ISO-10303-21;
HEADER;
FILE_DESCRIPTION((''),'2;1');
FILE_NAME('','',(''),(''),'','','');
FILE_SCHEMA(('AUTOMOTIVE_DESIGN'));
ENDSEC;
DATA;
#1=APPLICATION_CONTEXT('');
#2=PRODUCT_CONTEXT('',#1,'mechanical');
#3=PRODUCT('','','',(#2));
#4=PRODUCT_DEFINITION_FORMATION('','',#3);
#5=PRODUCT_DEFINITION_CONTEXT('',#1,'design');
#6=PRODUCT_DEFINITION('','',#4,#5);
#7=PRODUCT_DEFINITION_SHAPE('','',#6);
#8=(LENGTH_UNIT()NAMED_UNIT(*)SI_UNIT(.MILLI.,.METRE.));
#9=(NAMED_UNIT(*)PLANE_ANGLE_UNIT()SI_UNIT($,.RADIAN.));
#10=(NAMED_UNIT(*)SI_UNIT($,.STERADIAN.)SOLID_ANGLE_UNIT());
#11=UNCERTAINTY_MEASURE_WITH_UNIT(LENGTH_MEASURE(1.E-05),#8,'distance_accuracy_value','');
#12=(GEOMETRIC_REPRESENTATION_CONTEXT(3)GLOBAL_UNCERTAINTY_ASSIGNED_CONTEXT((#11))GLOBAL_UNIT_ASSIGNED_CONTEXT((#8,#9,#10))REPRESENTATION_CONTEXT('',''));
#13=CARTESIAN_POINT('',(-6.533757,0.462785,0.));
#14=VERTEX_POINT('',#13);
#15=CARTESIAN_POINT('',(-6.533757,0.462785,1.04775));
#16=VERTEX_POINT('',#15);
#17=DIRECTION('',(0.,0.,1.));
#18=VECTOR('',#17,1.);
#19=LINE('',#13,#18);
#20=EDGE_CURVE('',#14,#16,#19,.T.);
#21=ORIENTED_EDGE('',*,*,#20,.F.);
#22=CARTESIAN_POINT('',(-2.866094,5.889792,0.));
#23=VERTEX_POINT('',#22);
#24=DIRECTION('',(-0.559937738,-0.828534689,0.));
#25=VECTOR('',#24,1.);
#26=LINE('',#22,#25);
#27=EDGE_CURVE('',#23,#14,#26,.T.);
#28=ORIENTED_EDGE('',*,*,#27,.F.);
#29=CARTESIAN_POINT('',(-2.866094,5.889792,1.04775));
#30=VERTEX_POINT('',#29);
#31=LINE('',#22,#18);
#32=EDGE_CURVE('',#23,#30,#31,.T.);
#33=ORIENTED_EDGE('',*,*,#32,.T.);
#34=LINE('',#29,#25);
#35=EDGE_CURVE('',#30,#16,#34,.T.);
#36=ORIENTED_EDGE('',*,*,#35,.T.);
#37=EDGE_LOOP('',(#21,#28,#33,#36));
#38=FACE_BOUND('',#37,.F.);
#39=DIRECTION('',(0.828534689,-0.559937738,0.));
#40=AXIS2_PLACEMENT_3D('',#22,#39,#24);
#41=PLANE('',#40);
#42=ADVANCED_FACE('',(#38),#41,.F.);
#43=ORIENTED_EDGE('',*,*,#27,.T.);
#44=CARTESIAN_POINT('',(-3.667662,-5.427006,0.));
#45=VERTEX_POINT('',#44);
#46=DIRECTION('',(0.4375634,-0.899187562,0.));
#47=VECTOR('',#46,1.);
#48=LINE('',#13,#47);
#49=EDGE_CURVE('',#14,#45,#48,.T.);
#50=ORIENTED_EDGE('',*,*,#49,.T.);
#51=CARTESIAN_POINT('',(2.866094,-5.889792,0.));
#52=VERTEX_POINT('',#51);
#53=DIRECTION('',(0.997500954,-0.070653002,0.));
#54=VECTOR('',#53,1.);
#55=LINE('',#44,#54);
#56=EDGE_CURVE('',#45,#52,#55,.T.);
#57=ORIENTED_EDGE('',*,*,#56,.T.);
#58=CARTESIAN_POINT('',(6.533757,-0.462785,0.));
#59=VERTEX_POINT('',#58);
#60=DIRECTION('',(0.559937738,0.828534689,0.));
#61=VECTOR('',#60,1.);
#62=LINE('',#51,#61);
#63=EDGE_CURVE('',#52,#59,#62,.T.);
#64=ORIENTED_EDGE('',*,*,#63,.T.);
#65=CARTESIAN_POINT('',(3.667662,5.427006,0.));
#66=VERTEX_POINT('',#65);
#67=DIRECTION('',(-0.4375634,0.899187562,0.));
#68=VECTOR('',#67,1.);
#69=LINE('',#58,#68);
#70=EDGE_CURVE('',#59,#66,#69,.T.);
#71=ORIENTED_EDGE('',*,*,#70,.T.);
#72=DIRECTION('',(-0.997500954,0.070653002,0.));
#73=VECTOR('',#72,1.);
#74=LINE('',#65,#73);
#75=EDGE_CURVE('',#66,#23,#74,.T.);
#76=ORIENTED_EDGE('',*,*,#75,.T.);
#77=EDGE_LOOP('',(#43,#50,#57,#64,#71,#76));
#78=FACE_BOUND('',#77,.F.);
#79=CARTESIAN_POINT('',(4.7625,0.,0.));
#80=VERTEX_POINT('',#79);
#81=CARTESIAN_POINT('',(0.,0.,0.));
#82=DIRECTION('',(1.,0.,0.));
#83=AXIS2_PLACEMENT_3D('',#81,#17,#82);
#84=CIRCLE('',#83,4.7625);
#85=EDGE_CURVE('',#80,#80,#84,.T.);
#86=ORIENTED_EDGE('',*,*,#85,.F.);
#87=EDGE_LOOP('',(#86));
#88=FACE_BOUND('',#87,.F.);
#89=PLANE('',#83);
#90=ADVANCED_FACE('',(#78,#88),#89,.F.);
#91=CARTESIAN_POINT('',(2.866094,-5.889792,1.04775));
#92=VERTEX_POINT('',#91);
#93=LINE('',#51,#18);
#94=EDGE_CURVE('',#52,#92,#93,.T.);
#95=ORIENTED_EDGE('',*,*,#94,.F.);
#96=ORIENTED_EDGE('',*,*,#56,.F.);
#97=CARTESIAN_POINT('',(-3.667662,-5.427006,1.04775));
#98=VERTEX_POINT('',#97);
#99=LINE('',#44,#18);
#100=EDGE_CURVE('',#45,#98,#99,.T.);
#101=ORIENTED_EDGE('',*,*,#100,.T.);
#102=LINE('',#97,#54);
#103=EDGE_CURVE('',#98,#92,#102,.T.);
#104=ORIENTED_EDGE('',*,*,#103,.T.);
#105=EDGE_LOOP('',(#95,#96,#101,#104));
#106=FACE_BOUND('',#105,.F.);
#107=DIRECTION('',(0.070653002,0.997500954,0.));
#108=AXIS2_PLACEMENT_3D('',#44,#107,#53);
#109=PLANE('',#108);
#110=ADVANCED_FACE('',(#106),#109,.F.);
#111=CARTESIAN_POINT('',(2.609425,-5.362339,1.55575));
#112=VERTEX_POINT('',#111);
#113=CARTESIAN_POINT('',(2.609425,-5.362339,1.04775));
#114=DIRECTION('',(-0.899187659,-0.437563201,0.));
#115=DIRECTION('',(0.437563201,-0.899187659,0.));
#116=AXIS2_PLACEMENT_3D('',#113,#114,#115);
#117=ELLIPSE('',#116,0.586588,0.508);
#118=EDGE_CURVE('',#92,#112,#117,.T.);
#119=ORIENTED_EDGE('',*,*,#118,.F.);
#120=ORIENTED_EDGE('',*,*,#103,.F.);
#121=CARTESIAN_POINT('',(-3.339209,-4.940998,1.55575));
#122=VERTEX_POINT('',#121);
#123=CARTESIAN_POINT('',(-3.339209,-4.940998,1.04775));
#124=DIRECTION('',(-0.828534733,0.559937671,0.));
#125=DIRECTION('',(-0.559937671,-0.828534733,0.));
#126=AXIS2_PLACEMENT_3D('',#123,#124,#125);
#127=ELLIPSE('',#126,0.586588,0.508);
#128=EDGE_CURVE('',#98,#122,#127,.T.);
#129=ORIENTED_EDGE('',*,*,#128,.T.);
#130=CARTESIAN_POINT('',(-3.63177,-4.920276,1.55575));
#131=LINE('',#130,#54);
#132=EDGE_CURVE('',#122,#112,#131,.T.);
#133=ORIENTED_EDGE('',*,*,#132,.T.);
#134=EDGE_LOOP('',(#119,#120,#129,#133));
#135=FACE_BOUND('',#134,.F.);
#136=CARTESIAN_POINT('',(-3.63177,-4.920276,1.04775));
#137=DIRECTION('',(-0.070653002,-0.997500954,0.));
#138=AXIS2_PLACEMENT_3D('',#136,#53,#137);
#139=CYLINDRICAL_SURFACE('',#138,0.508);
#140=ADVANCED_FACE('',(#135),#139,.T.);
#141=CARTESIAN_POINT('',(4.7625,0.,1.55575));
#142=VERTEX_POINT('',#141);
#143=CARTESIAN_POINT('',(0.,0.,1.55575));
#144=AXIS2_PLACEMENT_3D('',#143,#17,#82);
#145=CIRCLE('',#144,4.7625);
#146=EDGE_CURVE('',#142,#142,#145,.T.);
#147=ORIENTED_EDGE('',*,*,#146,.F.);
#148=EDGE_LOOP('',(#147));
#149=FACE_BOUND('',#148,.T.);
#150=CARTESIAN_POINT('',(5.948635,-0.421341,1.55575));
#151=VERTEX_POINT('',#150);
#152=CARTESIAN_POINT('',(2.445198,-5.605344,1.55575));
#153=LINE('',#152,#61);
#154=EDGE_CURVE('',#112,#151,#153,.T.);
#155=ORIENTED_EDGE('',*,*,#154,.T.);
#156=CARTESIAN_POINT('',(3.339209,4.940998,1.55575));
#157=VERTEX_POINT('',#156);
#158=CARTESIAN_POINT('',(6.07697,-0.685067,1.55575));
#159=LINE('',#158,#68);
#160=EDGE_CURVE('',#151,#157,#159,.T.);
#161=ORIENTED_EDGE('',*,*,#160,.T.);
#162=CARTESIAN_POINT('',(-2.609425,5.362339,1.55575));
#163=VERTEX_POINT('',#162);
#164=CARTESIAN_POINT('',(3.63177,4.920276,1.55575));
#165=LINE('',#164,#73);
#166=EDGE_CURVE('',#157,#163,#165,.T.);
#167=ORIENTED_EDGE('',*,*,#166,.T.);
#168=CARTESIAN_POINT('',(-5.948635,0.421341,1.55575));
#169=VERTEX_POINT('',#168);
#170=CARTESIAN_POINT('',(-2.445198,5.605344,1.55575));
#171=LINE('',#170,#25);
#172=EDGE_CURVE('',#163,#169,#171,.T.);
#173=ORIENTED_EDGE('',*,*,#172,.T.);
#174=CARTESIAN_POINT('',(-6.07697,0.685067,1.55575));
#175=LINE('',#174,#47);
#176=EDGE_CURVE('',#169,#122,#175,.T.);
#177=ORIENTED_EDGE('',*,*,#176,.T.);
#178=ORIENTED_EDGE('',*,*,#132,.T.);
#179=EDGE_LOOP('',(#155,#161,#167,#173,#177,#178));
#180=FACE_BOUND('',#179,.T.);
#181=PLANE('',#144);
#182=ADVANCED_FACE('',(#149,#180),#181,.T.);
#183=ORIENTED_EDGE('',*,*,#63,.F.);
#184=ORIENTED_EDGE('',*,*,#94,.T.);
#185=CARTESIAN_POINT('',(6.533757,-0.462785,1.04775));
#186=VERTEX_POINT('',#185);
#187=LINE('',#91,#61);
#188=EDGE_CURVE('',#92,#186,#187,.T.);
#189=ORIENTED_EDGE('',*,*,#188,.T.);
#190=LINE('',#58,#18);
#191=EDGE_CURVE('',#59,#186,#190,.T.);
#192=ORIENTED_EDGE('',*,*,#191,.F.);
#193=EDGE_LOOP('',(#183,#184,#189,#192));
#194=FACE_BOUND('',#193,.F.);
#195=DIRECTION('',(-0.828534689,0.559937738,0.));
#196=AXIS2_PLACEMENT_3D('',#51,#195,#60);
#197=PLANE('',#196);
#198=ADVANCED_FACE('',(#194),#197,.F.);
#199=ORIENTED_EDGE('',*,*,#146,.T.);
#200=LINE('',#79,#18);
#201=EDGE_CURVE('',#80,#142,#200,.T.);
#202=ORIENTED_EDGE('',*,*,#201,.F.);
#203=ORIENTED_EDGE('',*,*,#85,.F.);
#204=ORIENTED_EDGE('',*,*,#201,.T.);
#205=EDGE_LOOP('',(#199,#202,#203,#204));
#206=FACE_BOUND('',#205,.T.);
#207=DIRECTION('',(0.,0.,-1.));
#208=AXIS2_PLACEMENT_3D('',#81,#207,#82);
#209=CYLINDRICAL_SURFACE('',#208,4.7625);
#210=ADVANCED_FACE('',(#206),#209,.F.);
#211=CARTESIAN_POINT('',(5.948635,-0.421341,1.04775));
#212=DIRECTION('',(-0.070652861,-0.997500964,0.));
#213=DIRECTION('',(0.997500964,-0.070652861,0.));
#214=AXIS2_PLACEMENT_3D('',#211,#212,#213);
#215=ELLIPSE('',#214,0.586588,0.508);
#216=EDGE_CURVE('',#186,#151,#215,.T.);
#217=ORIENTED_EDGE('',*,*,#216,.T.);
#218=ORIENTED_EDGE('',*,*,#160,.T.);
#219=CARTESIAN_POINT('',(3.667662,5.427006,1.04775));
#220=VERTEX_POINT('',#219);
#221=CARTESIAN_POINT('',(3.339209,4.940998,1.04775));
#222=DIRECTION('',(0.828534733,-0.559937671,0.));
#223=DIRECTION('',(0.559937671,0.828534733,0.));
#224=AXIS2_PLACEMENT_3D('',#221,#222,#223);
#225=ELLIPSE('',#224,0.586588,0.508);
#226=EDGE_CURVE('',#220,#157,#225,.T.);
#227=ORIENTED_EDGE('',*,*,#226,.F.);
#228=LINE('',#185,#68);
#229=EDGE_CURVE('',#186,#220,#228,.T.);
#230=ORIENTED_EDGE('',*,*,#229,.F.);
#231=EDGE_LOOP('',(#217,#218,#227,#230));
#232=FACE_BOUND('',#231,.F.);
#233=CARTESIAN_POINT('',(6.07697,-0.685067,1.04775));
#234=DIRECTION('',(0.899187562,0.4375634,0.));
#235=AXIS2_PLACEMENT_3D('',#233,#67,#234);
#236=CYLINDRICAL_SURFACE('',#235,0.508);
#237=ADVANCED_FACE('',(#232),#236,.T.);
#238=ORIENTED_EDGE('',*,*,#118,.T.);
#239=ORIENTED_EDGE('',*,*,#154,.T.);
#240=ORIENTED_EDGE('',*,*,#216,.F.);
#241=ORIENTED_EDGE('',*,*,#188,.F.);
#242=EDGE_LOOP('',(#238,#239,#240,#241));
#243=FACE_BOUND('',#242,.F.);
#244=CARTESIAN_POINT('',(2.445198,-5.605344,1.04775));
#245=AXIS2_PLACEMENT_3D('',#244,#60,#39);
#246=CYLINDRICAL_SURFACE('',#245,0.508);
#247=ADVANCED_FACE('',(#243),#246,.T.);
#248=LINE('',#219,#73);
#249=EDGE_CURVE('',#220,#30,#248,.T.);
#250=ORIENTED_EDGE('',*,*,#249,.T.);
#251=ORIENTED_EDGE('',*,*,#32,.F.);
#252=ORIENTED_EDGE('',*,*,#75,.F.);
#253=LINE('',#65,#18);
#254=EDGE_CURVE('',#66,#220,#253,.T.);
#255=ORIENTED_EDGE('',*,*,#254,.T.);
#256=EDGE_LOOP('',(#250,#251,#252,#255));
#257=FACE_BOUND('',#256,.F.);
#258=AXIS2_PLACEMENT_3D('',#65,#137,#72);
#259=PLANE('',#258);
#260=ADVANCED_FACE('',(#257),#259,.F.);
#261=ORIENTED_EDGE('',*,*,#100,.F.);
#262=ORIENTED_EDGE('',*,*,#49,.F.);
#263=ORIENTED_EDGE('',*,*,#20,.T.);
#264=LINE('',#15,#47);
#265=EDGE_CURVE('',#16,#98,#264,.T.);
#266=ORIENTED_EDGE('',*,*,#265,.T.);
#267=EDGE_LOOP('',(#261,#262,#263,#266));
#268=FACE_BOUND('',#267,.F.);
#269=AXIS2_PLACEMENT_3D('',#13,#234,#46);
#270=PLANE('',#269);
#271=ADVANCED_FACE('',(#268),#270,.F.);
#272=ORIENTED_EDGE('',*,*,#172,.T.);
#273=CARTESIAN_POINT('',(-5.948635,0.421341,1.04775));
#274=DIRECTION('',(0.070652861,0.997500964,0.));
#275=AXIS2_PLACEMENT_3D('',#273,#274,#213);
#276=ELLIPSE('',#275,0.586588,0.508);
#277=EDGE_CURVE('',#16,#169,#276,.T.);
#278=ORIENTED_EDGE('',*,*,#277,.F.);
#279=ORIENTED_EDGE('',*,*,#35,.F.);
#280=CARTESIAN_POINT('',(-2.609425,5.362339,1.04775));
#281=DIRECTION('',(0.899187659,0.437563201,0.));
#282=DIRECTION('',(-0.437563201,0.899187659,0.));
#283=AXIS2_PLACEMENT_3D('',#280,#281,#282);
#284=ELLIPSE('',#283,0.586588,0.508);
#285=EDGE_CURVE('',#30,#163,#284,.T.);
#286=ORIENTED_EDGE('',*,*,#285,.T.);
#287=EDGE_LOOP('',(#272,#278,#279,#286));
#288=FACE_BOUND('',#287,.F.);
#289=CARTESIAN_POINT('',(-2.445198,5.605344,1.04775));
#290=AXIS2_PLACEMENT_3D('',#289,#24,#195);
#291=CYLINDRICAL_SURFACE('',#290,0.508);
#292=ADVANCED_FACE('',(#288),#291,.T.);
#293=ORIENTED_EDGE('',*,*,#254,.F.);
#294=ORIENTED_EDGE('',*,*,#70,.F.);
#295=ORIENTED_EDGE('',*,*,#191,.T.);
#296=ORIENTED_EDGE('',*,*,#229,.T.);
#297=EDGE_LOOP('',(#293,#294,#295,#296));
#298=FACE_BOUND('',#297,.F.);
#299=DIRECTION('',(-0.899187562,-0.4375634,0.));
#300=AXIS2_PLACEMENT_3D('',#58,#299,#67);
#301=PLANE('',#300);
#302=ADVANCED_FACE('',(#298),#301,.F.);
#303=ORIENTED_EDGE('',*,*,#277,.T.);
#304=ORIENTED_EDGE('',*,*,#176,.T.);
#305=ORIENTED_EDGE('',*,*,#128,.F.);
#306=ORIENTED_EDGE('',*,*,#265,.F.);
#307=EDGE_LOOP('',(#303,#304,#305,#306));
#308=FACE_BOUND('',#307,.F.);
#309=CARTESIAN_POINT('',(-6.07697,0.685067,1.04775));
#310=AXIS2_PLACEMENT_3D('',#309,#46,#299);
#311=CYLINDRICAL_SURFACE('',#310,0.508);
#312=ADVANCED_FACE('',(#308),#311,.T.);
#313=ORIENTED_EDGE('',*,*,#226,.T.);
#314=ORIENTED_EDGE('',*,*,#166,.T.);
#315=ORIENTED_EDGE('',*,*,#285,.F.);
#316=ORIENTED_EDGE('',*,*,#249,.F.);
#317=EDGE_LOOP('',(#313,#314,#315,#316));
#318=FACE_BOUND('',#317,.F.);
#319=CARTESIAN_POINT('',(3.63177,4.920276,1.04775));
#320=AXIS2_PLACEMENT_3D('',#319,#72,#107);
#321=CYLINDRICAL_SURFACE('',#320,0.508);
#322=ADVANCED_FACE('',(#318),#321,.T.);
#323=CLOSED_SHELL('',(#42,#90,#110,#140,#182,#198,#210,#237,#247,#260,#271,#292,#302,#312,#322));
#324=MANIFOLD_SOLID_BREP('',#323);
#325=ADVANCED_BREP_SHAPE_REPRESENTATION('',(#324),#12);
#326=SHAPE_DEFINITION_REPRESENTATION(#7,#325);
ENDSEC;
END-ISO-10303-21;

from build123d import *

# Parameters (mm, degrees)
F0_R     = 4.7625
F1_DEPTH = 1.55575
F2_R     = 0.508


with BuildPart() as f1:
    # F0 (on Top) → F1 (new body)
    with BuildSketch(Plane.XY):
        Polygon((2.866094, -5.889792), (6.533757, -0.462785), (3.667662, 5.427006), (-2.866094, 5.889792), (-6.533757, 0.462785), (-3.667662, -5.427006), align=None)
        Circle(F0_R, mode=Mode.SUBTRACT)
    extrude(amount=F1_DEPTH)

    # F2
    f2_edges = [f1.edges().sort_by_distance(p)[0] for p in [
        (-5.100709, -2.48211, 1.55575),
        (-0.400784, -5.658399, 1.55575),
        (4.699925, -3.176289, 1.55575),
        (5.100709, 2.48211, 1.55575),
        (0.400784, 5.658399, 1.55575),
        (-4.699925, 3.176289, 1.55575),
    ]]
    fillet(f2_edges, radius=F2_R)


solid = f1.part
